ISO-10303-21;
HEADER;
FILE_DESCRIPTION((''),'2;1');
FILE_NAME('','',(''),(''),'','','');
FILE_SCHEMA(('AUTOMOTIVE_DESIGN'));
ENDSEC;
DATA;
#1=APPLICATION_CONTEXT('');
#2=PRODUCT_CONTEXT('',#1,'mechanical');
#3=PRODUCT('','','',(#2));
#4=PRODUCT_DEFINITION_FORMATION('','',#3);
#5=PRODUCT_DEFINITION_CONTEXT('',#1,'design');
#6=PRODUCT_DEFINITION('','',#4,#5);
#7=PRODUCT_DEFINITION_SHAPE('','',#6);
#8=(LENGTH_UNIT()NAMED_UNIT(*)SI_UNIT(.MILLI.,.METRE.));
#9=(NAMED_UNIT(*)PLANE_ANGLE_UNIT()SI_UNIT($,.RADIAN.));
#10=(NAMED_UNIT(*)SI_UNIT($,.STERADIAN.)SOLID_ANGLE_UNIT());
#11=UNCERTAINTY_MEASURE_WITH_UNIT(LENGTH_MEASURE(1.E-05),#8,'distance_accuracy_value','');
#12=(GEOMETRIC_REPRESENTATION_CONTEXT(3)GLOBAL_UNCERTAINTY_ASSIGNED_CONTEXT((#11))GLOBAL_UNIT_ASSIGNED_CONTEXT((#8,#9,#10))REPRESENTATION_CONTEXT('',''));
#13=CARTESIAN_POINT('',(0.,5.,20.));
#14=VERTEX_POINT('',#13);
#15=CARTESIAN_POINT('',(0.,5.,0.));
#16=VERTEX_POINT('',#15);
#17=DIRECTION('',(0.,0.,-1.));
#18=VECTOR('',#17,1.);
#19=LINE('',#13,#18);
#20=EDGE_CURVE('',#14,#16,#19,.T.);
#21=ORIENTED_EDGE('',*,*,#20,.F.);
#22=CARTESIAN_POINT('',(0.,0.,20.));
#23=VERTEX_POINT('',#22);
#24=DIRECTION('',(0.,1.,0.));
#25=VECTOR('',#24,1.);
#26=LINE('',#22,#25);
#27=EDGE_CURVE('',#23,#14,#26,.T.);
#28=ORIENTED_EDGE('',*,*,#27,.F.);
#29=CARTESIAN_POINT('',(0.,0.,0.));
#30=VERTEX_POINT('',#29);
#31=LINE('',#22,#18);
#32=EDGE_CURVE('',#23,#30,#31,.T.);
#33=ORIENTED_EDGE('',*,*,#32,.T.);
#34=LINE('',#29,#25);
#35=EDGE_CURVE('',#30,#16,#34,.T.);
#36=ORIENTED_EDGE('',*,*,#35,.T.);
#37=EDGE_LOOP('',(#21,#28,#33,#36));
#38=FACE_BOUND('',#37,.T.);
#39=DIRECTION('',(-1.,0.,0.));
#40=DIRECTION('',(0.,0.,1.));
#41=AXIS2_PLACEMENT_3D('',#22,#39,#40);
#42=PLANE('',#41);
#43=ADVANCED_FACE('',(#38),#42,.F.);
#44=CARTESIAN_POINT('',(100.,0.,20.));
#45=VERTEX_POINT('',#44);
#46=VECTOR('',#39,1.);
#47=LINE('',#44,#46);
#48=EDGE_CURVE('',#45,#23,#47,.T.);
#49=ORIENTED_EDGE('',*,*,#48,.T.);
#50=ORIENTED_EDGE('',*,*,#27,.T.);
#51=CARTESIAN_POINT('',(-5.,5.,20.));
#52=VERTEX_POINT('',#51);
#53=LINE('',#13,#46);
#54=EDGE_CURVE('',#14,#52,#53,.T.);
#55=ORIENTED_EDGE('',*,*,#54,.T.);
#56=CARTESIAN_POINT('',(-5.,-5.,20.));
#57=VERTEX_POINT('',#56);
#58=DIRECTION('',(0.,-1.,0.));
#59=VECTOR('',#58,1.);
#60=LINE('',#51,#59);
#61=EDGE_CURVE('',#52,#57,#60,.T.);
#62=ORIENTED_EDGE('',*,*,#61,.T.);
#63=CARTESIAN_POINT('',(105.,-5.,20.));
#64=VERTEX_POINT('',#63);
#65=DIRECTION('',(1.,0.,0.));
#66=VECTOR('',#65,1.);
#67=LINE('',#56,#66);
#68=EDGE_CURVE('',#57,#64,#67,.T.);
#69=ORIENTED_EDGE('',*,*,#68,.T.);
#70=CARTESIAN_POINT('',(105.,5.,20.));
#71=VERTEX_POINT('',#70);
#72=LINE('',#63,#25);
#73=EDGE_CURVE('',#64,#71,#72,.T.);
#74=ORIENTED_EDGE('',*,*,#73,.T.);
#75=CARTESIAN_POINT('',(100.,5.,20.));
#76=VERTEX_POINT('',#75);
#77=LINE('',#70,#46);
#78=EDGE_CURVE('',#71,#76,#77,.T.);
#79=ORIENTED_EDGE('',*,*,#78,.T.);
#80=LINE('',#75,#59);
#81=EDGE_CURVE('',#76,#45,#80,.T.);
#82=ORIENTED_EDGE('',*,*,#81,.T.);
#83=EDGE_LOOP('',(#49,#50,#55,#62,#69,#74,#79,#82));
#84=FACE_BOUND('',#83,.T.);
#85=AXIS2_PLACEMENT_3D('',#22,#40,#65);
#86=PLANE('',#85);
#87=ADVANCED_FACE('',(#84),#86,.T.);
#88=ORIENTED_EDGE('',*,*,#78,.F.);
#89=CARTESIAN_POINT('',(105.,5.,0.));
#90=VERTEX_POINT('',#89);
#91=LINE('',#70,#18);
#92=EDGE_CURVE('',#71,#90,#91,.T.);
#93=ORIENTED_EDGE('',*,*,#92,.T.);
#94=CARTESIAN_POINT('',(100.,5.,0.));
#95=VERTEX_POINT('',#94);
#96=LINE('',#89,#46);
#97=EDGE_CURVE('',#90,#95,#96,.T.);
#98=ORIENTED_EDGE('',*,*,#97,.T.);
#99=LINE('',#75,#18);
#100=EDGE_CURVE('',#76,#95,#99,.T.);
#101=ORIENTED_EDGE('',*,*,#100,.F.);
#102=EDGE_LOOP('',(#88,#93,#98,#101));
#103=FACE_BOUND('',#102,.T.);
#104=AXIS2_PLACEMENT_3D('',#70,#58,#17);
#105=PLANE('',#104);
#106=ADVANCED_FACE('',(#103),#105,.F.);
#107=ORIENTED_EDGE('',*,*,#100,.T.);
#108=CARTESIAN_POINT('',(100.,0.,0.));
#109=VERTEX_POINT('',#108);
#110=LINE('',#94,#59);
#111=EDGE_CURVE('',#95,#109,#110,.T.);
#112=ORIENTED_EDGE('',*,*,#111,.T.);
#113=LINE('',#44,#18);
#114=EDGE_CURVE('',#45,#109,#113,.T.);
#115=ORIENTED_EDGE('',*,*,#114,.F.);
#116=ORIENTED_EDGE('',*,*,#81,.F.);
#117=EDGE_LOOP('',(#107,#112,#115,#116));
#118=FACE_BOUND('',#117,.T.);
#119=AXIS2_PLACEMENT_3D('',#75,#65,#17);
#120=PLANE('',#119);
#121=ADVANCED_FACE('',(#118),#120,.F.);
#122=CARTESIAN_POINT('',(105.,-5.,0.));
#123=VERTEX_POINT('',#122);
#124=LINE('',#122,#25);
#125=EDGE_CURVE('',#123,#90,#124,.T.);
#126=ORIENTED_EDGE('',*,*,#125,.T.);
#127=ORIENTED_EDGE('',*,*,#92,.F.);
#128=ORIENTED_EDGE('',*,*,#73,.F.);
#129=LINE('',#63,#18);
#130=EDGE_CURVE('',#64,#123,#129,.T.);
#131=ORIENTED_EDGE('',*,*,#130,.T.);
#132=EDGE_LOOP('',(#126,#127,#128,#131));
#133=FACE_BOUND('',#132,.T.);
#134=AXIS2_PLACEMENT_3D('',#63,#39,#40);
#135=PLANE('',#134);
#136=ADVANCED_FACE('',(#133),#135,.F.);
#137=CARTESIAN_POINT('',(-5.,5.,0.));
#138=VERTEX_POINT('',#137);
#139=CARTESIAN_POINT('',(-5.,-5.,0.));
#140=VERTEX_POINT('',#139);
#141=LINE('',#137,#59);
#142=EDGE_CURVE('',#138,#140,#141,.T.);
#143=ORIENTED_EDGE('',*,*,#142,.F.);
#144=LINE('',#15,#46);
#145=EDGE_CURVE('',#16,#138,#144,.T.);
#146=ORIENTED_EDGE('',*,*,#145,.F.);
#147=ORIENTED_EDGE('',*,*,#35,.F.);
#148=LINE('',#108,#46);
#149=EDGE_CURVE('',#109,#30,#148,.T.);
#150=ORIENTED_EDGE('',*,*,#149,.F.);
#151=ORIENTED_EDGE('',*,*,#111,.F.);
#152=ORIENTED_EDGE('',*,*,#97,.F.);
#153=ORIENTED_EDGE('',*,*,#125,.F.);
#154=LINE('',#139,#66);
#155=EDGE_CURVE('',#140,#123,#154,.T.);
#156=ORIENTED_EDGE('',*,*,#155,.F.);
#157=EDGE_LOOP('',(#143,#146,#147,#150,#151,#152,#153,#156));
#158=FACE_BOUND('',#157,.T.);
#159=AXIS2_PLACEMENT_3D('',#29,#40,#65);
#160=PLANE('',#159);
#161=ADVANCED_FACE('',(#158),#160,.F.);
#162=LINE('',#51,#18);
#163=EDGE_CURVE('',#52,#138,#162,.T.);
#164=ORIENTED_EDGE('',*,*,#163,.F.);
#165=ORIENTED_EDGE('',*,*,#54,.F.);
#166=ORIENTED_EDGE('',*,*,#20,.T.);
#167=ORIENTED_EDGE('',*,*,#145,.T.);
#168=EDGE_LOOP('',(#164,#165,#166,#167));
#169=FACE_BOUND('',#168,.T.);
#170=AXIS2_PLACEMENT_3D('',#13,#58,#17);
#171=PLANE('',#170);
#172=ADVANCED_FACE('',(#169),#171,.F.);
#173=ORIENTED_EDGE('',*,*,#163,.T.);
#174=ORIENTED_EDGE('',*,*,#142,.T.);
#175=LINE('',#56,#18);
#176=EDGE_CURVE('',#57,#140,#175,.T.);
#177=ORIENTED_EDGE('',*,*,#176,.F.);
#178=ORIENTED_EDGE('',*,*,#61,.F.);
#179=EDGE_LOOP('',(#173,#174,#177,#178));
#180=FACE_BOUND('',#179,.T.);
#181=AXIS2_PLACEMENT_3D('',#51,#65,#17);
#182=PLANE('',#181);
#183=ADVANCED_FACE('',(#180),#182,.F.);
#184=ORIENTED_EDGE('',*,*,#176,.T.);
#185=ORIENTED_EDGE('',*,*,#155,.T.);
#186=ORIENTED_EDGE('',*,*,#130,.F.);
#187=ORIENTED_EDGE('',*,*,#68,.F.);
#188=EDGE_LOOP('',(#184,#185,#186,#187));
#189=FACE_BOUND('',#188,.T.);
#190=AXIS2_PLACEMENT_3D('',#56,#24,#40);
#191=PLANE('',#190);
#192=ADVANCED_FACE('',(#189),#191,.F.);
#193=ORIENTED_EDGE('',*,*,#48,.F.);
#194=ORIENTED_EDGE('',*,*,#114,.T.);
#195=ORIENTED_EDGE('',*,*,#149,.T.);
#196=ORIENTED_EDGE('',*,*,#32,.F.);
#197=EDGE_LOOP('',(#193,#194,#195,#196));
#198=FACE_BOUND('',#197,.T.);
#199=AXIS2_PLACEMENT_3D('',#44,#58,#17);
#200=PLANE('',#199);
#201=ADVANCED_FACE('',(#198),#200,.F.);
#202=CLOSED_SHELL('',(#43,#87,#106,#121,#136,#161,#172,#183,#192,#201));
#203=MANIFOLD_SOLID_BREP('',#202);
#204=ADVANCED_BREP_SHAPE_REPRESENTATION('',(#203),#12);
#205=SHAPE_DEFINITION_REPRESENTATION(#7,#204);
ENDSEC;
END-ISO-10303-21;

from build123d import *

# Parameters (mm, degrees)
BOSS_EXTRUDE1_DEPTH = 20


with BuildPart() as part:
    # Sketch1 → Boss-Extrude1 (new body)
    with BuildSketch(Plane.XY):
        Polygon((-5, -5), (105, -5), (105, 5), (100, 5), (100, 0), (0, 0), (0, 5), (-5, 5), align=None)
    extrude(amount=BOSS_EXTRUDE1_DEPTH)


solid = part.part
